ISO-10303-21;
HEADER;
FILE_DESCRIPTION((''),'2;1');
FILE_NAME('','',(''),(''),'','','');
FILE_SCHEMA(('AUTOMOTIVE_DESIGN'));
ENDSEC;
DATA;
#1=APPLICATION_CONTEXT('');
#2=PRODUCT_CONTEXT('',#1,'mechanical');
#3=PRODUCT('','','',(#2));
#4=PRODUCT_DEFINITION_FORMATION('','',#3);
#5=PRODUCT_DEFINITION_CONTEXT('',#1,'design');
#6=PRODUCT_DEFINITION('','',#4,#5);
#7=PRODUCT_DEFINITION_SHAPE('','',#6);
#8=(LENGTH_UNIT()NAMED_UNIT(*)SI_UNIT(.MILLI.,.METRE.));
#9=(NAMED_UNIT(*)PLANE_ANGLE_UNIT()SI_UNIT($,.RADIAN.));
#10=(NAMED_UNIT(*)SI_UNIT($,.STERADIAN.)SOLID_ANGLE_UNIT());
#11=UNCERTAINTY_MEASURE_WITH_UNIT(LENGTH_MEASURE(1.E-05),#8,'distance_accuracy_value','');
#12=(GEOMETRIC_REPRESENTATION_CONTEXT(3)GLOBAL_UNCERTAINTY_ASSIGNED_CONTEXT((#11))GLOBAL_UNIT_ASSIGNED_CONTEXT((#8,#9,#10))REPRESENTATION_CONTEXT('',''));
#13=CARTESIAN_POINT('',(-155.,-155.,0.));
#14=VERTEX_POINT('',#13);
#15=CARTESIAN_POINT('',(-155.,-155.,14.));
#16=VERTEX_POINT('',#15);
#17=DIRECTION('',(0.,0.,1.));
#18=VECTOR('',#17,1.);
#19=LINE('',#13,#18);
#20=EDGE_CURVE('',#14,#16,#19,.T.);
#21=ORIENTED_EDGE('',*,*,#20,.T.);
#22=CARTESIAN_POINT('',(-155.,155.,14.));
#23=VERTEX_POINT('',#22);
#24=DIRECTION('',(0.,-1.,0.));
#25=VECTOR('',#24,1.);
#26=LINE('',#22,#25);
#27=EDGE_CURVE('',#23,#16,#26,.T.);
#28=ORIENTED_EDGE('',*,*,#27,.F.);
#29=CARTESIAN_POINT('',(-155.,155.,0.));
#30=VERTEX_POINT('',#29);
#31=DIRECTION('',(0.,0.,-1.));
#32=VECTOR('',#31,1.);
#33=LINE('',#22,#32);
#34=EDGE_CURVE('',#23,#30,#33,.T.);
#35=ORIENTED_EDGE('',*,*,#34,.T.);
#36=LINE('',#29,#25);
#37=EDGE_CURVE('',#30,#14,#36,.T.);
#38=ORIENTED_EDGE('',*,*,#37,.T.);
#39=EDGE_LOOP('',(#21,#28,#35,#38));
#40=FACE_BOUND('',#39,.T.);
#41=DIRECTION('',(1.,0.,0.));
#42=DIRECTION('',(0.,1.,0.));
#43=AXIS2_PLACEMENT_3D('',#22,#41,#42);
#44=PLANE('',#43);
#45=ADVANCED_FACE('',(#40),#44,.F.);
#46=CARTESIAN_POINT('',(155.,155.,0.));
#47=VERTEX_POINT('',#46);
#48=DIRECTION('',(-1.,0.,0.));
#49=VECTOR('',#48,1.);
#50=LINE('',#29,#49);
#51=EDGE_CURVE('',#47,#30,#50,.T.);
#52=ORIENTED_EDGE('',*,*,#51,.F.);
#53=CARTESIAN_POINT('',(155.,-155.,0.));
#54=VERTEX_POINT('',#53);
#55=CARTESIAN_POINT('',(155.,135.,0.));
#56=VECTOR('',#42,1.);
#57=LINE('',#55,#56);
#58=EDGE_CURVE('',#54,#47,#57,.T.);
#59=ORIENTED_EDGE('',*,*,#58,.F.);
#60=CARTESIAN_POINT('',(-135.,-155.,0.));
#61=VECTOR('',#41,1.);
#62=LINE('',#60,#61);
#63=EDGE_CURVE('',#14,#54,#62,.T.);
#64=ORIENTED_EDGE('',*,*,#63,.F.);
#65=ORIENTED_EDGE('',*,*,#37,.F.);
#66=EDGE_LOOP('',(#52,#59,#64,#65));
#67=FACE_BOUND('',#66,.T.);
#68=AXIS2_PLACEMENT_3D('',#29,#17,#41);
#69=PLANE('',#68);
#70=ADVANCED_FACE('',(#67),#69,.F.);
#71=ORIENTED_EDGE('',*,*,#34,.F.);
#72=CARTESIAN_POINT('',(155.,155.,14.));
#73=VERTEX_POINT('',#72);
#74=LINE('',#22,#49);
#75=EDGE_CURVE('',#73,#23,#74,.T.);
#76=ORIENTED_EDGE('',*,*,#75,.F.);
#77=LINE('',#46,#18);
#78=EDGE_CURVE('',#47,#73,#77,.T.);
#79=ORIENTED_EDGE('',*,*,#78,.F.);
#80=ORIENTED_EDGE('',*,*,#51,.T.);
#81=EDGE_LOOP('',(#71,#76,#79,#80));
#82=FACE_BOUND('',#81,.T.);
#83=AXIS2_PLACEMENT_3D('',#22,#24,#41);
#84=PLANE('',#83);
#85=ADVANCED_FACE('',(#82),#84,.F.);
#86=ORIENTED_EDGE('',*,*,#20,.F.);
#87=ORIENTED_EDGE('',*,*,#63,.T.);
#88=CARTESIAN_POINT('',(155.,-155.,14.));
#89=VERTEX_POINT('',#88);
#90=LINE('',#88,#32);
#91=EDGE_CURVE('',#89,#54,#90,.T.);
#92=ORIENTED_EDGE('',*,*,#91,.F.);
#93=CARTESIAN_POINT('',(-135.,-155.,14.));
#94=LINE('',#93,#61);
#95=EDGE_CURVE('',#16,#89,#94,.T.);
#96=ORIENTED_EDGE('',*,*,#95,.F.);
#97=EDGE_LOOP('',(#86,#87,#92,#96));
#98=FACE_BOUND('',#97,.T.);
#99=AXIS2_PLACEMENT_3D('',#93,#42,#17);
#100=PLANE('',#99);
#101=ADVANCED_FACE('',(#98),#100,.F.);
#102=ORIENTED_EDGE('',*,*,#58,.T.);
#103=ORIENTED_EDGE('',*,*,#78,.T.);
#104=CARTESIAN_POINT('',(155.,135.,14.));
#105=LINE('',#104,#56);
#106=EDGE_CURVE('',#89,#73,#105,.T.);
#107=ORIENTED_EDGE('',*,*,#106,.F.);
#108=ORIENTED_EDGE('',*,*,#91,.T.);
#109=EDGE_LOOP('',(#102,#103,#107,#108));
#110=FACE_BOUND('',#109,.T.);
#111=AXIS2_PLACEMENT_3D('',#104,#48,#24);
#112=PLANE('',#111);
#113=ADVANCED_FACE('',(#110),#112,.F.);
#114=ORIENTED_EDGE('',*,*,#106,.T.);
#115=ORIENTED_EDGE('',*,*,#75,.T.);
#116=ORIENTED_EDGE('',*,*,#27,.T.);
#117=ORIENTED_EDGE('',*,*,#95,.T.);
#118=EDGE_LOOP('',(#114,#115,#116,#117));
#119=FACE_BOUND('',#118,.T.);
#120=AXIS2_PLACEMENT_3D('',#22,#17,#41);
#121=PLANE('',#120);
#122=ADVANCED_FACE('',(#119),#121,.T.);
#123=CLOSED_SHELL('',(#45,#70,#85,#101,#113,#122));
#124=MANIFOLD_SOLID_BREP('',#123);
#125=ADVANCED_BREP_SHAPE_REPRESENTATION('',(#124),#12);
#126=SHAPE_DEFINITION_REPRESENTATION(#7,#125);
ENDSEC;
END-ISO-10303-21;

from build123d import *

# Parameters (mm, degrees)
SKETCH_1_R         = 13
EXTRUDE_1189_DEPTH = 14
SKETCH_3_W         = 310
SKETCH_3_H         = 310
EXTRUDE_1_DEPTH    = 14


with BuildPart() as part:
    # 草图1 → Extrude 1189 (new body)
    with BuildSketch(Plane.XY):
        Polygon((135, 155), (155, 135), (155, -155), (-135, -155), (-155, -135), (-155, 155), align=None)
        with Locations((-113.13708499, -113.13708499)):
            Circle(SKETCH_1_R, mode=Mode.SUBTRACT)
        with Locations((-78.524110604, -61.919012055)):
            Circle(SKETCH_1_R, mode=Mode.SUBTRACT)
        with Locations((78.524110604, 61.919012055)):
            Circle(SKETCH_1_R, mode=Mode.SUBTRACT)
        with Locations((113.13708499, 113.13708499)):
            Circle(SKETCH_1_R, mode=Mode.SUBTRACT)
        with Locations((-70.710678119, 70.710678119)):
            Circle(SKETCH_1_R, mode=Mode.SUBTRACT)
        with Locations((-113.13708499, 113.13708499)):
            Circle(SKETCH_1_R, mode=Mode.SUBTRACT)
        with Locations(Location((70.710678119, -70.710678119, 0), (0, 0, 180))):
            Circle(SKETCH_1_R, mode=Mode.SUBTRACT)
        with Locations(Location((113.13708499, -113.13708499, 0), (0, 0, 180))):
            Circle(SKETCH_1_R, mode=Mode.SUBTRACT)
        Circle(SKETCH_1_R, mode=Mode.SUBTRACT)
    extrude(amount=EXTRUDE_1189_DEPTH)

    # 草图3 → 凸台-拉伸1 (add)
    with BuildSketch(Plane.XY.offset(14)):
        Rectangle(SKETCH_3_W, SKETCH_3_H)
    extrude(amount=-EXTRUDE_1_DEPTH)


solid = part.part
